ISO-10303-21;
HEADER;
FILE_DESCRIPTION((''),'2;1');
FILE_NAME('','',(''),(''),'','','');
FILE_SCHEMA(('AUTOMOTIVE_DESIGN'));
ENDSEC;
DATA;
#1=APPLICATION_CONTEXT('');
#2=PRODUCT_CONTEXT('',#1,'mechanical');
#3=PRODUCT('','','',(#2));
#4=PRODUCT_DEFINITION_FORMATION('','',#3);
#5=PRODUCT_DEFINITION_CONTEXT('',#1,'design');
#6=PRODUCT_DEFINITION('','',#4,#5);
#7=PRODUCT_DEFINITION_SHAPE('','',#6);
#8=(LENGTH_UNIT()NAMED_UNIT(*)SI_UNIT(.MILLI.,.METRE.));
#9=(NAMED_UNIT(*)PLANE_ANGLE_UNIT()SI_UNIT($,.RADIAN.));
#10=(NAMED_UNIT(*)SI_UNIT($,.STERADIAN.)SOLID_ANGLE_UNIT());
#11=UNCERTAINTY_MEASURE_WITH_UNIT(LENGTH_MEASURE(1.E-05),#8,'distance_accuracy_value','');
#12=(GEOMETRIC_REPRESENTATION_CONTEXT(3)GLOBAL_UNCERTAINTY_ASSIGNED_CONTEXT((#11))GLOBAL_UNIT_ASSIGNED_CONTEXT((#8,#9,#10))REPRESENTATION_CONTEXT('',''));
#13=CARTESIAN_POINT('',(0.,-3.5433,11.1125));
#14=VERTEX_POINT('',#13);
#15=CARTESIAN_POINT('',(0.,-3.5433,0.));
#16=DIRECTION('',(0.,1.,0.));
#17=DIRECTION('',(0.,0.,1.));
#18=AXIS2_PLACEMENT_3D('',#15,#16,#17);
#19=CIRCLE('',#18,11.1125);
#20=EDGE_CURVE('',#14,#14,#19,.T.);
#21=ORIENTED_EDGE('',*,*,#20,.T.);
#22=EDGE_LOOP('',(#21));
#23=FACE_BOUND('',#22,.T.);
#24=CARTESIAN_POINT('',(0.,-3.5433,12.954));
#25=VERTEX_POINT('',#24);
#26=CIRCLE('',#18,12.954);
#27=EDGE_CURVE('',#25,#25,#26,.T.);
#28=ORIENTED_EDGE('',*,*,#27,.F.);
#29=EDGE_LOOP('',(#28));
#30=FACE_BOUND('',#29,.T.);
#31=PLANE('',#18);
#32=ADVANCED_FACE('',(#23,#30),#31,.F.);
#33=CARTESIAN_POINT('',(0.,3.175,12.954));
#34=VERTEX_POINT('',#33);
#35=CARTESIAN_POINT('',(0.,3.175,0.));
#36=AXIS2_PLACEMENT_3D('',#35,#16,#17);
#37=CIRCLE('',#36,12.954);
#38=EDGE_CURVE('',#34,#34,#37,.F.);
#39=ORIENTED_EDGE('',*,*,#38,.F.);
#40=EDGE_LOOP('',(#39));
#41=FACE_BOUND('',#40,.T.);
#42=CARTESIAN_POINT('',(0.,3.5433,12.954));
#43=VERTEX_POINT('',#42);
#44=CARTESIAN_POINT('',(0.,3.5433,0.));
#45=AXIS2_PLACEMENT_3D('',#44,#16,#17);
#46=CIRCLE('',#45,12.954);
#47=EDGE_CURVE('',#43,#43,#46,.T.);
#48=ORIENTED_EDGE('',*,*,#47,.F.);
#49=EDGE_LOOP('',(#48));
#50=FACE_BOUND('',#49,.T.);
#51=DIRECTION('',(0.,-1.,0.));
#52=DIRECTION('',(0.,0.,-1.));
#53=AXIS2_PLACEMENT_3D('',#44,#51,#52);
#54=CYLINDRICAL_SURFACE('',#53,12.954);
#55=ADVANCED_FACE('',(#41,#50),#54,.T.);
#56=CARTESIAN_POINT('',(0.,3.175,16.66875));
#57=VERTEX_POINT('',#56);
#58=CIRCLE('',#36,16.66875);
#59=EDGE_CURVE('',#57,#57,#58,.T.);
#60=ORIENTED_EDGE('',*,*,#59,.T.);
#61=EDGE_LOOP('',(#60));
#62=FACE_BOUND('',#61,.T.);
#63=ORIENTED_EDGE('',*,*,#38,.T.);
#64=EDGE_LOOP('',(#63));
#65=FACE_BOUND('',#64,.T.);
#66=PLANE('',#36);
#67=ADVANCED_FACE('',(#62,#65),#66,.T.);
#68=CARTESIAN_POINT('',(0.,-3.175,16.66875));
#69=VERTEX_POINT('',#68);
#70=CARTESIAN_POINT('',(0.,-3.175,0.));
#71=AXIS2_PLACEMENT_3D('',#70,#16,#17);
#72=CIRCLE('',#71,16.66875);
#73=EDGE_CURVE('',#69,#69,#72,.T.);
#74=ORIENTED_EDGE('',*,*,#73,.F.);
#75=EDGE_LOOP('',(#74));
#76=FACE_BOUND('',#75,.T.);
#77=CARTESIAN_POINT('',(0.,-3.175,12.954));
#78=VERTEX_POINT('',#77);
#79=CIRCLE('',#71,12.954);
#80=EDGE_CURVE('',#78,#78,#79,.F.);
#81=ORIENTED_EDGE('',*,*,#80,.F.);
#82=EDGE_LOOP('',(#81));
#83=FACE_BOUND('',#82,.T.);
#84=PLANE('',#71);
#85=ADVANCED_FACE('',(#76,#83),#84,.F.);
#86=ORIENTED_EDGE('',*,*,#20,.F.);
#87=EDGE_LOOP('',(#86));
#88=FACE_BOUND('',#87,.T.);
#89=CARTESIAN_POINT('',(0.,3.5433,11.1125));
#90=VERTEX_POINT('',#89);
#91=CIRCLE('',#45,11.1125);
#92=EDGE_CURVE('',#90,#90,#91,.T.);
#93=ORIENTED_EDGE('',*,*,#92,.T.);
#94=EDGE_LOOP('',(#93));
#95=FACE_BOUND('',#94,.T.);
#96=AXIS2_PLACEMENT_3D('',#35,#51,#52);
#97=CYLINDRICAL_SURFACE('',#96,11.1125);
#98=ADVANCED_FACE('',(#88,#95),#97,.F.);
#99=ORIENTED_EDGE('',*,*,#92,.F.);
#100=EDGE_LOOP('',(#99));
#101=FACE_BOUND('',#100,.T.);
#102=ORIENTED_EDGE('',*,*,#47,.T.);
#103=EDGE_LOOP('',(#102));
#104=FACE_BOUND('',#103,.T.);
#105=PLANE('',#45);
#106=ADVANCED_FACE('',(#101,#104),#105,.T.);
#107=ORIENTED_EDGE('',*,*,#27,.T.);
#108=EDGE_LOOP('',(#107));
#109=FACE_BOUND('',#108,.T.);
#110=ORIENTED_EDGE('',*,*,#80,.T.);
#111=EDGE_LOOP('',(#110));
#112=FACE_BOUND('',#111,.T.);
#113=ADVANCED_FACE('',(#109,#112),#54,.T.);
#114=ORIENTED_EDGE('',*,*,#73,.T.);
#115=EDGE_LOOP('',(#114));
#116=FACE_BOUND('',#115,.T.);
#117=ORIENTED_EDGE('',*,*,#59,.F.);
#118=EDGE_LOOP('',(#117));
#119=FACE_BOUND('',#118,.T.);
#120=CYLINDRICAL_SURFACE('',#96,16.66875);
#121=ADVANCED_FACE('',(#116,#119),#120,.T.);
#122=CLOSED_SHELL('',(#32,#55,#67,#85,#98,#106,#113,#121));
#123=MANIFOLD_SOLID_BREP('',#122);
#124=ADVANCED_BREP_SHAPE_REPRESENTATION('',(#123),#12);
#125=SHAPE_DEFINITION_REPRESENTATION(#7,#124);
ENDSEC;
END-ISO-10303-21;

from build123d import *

# Parameters (mm, degrees)
SKETCH2_R           = 16.66875
SKETCH2_R_2         = 11.1125
BOSS_EXTRUDE1_DEPTH = 3.175
SKETCH2_3_R         = 12.954
SKETCH2_3_R_2       = 11.1125
BOSS_EXTRUDE2_DEPTH = 3.5433


with BuildPart() as part:
    # Sketch2 → Boss-Extrude1 (new, symmetric)
    with BuildSketch(Plane(origin=(0, 0, 0), x_dir=(1, 0, 0), z_dir=(0, 1, 0))):
        Circle(SKETCH2_R)
        Circle(SKETCH2_R_2, mode=Mode.SUBTRACT)
    extrude(amount=BOSS_EXTRUDE1_DEPTH, both=True)

    # Sketch2<3> → Boss-Extrude2 (add, symmetric)
    with BuildSketch(Plane(origin=(0, 0, 0), x_dir=(1, 0, 0), z_dir=(0, 1, 0))):
        Circle(SKETCH2_3_R)
        Circle(SKETCH2_3_R_2, mode=Mode.SUBTRACT)
    extrude(amount=BOSS_EXTRUDE2_DEPTH, both=True)


solid = part.part
